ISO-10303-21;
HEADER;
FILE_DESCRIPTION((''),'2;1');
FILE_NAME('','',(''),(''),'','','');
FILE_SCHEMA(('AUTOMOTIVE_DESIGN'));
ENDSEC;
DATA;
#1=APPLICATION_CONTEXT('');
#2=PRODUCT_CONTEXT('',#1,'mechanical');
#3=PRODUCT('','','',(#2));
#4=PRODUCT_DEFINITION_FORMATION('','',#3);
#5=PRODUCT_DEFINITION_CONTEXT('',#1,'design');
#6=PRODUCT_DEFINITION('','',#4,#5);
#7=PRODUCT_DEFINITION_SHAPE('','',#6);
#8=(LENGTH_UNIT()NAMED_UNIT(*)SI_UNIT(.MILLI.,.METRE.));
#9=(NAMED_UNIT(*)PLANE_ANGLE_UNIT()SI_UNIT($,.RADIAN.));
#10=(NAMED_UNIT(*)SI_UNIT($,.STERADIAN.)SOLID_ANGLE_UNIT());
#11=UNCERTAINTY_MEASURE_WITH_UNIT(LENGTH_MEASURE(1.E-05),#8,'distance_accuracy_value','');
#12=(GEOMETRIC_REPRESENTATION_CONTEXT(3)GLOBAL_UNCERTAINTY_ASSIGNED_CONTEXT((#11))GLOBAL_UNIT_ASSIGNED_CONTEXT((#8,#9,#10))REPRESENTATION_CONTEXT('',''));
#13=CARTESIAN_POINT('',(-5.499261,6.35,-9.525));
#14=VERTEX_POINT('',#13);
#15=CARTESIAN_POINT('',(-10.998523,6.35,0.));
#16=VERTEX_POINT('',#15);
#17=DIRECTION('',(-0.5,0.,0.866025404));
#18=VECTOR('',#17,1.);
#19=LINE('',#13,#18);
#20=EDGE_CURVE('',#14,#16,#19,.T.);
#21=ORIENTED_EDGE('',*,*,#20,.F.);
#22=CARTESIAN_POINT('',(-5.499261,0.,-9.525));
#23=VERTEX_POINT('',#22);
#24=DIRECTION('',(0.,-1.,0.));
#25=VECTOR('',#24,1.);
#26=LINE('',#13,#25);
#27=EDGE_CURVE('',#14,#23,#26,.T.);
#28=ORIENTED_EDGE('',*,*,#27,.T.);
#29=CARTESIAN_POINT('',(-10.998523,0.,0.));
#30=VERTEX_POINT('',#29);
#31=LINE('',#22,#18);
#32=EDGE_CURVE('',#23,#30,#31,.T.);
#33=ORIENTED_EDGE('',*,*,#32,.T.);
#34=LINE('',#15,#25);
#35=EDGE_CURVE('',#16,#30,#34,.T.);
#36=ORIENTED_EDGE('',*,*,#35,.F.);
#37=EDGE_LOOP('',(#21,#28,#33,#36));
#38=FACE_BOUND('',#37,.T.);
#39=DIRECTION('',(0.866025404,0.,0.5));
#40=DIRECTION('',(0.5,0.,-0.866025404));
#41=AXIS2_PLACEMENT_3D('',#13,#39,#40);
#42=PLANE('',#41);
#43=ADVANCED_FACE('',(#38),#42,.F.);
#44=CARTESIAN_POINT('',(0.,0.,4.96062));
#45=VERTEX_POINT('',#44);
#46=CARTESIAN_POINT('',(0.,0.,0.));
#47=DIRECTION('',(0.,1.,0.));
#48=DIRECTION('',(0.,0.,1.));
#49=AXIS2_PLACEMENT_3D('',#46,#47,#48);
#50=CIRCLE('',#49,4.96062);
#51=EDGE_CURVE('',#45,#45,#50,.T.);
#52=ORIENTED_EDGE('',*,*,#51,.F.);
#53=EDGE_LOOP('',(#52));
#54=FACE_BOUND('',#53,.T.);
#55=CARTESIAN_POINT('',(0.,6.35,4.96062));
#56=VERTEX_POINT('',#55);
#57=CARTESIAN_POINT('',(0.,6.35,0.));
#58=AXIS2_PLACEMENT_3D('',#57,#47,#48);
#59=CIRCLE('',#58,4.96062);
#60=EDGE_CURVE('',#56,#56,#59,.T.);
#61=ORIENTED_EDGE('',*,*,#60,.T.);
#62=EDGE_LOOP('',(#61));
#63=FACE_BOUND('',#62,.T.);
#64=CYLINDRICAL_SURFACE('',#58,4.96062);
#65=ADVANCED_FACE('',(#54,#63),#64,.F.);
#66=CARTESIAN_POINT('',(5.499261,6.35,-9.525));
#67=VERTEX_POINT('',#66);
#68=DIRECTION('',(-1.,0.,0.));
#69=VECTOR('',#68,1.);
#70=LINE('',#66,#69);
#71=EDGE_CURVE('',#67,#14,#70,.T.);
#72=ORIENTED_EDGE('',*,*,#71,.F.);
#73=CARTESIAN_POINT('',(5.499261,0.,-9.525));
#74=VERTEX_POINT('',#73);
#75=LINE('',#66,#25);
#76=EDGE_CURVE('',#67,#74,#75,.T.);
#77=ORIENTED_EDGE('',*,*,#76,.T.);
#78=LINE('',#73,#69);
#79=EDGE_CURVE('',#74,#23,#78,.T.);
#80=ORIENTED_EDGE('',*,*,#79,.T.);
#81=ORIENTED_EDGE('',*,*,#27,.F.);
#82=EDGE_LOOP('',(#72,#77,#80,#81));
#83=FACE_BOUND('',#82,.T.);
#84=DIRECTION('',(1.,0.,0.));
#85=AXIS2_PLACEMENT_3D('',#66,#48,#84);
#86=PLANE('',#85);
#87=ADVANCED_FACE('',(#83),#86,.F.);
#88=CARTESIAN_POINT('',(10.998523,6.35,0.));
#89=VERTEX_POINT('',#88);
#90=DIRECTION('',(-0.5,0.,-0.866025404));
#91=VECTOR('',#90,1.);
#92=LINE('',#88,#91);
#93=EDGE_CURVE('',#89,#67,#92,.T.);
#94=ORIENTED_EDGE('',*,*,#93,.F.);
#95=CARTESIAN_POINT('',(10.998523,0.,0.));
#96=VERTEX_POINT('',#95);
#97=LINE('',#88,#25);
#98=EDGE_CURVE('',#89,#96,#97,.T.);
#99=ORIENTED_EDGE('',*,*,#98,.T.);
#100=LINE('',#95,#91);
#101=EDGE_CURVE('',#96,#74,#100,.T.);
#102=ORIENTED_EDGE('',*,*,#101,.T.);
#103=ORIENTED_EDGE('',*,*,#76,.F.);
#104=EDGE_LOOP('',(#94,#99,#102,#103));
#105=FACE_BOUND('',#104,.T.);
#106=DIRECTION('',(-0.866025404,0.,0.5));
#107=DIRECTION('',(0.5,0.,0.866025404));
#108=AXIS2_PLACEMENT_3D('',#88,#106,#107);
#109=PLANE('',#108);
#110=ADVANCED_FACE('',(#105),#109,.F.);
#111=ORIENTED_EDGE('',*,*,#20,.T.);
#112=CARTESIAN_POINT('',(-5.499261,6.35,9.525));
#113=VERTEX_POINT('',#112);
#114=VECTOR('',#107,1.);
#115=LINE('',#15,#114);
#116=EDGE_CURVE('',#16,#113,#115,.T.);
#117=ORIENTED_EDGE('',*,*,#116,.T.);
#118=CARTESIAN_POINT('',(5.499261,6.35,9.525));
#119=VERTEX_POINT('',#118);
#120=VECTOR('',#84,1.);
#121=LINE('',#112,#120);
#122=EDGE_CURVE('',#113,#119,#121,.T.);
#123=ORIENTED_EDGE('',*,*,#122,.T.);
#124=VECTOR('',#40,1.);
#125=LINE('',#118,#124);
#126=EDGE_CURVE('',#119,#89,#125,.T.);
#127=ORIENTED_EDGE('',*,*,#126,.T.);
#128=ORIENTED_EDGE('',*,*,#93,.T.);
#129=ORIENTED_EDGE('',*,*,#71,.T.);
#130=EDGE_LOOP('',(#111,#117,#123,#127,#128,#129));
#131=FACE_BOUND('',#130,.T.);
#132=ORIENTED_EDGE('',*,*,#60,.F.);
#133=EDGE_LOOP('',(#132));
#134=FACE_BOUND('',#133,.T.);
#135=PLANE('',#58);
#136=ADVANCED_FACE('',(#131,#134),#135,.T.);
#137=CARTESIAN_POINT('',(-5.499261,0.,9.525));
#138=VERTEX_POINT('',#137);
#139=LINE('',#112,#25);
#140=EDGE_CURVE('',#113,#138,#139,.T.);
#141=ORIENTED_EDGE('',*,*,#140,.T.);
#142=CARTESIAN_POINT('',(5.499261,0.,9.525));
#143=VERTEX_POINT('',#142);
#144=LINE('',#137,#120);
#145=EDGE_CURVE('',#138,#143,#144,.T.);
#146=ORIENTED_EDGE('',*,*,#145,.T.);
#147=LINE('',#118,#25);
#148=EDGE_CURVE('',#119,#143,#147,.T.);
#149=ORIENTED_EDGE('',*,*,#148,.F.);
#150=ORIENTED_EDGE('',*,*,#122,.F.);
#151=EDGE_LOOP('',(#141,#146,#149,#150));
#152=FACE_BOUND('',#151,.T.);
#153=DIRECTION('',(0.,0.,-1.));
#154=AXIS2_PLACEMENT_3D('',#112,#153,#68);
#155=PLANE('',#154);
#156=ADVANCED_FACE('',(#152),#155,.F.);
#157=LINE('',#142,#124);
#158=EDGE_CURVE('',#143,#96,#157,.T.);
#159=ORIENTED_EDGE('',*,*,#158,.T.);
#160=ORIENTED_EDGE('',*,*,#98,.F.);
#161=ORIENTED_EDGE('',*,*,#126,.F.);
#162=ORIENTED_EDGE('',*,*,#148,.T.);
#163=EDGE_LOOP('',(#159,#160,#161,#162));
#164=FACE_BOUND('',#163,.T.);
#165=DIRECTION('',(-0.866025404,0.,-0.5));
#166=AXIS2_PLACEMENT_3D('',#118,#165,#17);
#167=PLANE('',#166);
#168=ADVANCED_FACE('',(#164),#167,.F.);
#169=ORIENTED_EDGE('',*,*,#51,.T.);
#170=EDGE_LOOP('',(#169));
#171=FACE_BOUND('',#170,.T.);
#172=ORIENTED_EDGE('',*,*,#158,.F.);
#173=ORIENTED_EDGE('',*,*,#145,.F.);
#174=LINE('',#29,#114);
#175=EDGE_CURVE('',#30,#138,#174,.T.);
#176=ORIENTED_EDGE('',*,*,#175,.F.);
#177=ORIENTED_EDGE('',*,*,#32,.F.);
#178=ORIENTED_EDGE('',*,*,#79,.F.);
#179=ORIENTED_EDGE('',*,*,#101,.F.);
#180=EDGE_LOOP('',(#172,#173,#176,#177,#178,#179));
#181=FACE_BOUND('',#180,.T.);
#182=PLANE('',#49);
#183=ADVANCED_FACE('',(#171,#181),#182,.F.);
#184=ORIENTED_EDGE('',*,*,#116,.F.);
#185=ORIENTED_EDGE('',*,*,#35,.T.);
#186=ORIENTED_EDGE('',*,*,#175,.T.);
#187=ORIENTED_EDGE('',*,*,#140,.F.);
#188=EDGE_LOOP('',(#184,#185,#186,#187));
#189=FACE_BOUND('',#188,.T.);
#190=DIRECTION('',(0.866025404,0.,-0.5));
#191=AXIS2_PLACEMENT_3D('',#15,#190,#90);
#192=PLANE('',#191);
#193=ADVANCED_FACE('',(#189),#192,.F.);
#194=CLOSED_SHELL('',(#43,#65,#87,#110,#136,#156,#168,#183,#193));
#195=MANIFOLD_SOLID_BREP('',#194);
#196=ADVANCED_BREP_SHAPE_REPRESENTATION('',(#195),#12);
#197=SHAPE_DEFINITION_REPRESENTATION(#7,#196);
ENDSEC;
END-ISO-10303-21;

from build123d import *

# Parameters (mm, degrees)
BOSS_EXTRUDE1_DEPTH      = 6.35
F_7_16_20_TAPPED_HOLE1_D = 9.92124


with BuildPart() as part:
    # Sketch1 → Boss-Extrude1 (new body)
    with BuildSketch(Plane(origin=(0, 0, 0), x_dir=(1, 0, 0), z_dir=(0, 1, 0))):
        Polygon((5.499261314, 9.525), (-5.499261314, 9.525), (-10.998522628, 0), (-5.499261314, -9.525), (5.499261314, -9.525), (10.998522628, 0), align=None)
    extrude(amount=BOSS_EXTRUDE1_DEPTH)

    # 7/16-20 Tapped Hole1 (through all)
    with Locations(Plane(origin=(0, 6.35, 0), x_dir=(1, 0, 0), z_dir=(0, 1, 0))):
        with Locations((0, 0)):
            Hole(F_7_16_20_TAPPED_HOLE1_D / 2)


solid = part.part
